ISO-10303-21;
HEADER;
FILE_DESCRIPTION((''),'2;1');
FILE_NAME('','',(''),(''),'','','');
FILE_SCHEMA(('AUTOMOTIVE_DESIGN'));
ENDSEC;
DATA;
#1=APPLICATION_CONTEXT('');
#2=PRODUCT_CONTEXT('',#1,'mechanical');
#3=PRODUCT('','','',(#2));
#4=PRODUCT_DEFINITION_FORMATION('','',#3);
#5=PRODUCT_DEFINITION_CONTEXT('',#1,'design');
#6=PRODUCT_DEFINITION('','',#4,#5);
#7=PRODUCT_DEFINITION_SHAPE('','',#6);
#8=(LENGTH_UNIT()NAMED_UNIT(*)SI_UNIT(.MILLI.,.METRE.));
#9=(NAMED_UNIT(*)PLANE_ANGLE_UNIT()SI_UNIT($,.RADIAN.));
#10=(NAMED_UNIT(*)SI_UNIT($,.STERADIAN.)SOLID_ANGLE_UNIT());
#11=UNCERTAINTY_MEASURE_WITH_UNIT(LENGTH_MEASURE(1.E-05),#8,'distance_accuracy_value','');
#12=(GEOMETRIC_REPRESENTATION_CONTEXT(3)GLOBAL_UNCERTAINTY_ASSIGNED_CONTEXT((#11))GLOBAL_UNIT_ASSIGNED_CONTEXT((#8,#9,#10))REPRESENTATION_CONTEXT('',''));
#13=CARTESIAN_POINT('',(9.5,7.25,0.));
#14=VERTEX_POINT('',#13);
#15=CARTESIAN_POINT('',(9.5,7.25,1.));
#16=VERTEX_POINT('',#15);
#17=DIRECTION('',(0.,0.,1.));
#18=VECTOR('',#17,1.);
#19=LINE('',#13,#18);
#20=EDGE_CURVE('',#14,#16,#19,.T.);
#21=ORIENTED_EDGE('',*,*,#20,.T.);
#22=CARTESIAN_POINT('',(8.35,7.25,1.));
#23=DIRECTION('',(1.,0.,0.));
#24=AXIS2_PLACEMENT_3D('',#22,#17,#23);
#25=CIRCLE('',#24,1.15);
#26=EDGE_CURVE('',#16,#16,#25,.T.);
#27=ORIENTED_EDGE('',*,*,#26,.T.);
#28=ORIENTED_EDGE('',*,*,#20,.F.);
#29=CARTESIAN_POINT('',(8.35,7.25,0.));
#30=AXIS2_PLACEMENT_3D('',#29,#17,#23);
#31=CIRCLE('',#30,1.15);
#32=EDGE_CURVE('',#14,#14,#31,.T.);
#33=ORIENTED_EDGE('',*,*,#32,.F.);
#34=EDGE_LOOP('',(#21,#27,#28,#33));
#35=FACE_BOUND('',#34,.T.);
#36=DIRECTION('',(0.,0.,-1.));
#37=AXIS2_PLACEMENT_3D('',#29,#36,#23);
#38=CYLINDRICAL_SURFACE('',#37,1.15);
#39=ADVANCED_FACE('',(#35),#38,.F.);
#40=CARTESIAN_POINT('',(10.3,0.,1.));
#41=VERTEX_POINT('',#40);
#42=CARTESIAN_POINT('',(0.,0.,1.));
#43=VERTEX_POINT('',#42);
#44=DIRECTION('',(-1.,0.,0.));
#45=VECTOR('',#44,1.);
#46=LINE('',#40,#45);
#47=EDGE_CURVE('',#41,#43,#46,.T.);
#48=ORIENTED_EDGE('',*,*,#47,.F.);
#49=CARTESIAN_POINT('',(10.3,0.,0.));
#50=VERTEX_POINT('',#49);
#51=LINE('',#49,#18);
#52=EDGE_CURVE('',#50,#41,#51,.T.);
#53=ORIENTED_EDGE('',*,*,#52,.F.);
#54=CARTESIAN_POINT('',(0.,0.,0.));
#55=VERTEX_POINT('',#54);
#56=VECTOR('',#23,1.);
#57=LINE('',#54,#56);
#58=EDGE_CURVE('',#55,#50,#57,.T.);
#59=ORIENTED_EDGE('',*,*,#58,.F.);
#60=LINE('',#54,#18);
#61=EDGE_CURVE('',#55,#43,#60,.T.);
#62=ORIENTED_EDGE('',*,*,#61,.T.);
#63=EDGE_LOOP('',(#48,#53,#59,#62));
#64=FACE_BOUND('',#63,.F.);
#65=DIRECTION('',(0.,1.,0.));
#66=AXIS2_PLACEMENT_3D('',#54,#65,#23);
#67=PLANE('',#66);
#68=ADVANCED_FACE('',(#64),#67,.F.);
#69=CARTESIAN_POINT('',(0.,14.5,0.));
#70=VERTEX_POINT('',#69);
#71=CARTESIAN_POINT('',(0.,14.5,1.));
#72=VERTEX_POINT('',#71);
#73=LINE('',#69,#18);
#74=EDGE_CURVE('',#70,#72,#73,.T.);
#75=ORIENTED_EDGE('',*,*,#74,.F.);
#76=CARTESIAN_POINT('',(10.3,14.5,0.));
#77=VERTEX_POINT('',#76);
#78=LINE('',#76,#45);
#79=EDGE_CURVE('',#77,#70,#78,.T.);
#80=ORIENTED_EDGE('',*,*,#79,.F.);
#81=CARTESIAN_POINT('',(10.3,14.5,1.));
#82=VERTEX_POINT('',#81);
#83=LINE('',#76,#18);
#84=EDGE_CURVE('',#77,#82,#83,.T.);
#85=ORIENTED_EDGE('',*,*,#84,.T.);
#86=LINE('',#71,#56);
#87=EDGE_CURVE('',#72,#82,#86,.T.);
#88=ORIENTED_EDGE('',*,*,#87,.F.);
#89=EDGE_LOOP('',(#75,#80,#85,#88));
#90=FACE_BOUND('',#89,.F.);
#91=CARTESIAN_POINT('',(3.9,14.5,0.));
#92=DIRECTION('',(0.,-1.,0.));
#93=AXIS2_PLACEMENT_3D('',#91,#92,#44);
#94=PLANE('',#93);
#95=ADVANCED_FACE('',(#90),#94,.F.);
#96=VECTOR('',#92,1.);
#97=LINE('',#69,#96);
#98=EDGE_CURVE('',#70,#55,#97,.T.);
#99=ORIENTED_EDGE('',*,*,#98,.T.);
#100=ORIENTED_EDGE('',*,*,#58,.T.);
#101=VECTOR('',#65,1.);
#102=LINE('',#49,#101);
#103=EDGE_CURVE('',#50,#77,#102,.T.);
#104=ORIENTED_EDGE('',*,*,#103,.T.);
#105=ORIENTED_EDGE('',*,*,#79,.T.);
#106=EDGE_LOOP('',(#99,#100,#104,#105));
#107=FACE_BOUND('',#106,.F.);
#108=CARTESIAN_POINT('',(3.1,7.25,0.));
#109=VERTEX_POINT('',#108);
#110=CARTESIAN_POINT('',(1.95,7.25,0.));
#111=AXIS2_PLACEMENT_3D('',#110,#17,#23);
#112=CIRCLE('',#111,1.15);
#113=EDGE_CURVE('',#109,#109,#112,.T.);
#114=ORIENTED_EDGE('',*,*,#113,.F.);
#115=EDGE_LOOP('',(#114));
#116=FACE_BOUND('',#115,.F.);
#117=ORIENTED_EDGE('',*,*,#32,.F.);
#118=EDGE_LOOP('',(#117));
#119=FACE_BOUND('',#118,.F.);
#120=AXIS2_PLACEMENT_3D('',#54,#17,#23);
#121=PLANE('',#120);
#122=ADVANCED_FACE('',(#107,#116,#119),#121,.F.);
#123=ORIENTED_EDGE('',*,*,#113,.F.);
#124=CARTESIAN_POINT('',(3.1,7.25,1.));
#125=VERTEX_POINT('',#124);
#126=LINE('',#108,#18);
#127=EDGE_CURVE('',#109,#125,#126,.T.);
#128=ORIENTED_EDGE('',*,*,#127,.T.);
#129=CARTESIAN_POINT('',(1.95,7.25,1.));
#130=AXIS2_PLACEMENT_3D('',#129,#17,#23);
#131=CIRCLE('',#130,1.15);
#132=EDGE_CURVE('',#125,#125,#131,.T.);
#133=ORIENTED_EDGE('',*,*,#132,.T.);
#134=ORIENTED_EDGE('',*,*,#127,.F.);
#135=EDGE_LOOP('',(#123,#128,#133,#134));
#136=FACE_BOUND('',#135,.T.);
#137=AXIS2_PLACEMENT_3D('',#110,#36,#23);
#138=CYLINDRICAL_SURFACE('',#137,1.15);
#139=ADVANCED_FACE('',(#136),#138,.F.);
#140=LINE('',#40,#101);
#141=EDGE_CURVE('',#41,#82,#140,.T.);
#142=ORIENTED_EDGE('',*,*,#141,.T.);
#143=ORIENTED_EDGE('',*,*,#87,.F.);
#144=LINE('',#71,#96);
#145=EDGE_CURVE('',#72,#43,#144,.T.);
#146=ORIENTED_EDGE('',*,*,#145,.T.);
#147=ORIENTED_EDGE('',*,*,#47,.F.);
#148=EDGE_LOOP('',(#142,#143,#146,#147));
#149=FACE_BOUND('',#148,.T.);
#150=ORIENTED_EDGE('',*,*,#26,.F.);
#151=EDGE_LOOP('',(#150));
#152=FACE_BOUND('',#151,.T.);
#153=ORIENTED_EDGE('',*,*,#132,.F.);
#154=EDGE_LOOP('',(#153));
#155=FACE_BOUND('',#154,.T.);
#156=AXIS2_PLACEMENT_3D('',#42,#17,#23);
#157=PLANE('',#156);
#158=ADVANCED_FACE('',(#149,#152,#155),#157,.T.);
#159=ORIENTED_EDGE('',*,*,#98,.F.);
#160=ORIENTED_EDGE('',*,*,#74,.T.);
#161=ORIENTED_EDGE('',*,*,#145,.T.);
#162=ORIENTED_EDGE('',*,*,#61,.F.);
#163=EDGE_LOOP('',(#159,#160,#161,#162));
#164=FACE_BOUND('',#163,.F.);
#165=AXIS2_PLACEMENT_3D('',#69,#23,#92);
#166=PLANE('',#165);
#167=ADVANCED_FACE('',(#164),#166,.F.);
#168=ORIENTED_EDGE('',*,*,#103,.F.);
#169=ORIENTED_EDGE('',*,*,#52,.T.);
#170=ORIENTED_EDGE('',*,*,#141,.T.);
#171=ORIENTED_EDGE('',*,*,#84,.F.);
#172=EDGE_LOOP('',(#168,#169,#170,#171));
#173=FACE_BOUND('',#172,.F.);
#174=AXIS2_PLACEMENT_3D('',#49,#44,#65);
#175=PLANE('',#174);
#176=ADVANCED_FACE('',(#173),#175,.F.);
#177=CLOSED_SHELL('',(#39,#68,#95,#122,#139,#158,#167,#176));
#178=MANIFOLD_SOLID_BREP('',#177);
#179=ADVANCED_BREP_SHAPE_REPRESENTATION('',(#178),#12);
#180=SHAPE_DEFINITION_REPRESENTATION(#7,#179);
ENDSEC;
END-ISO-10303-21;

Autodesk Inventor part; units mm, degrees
ref_plane "YZ Plane" through (0, 0, 0) normal (1, 0, 0) x (0, 1, 0)
ref_plane "XZ Plane" through (0, 0, 0) normal (0, 1, 0) x (-1, 0, 0)
ref_plane "XY Plane" through (0, 0, 0) normal (0, 0, 1) x (1, 0, 0)
sketch "Sketch1" plane through (0, 0, 0) normal (0, 0, 1) x (1, 0, 0)
  line L0 (0, 0) -> (10.3, 0)
  line L1 (10.3, 0) -> (10.3, 14.5)
  line L2 (10.3, 14.5) -> (0, 14.5)
  line L3 (0, 14.5) -> (0, 0)
  line L4 (3.9, 0) -> (6.4, 0)
  line L5 (6.4, 0) -> (6.4, 14.5)
  line L6 (6.4, 14.5) -> (3.9, 14.5)
  line L7 (3.9, 14.5) -> (3.9, 0)
  line L8 (0, 0) -> (10.3, 0)
  line L9 (10.3, 0) -> (10.3, -3)
  line L10 (10.3, -3) -> (0, -3)
  line L11 (0, -3) -> (0, 0)
  circle A0 centre (1.95, 7.25) radius 1.15
  circle A1 centre (8.35, 7.25) radius 1.15
  dimension "d0" = 10.3
  dimension "d1" = 14.5
  dimension "d2" = 2.5
  dimension "d3" = 3
  dimension "d4" = 3.9
  dimension "d5" = 0
  dimension "d6" = 2.3
  dimension "d7" = 1.95
  dimension "d8" = 7.25
  dimension "d9" = 2.3
  dimension "d10" = 1.95
  dimension "d11" = 7.25
extrude "Extrusion2" add sketch "Sketch1" along normal blind 1 contours L3 L2 L7 L0 | L7 L2 L5 L0 | L5 L2 L1 L0
equation "\"d4\" = -0.5 * d2 + 0.5 * d0"
equation "\"d7\" = 0.5 * d4"
equation "\"d8\" = 0.5 * d1"
equation "\"d9\" = d6"
equation "\"d10\" = d7"
equation "\"d11\" = d8"
properties part number "control_arm_backplate_mount"
